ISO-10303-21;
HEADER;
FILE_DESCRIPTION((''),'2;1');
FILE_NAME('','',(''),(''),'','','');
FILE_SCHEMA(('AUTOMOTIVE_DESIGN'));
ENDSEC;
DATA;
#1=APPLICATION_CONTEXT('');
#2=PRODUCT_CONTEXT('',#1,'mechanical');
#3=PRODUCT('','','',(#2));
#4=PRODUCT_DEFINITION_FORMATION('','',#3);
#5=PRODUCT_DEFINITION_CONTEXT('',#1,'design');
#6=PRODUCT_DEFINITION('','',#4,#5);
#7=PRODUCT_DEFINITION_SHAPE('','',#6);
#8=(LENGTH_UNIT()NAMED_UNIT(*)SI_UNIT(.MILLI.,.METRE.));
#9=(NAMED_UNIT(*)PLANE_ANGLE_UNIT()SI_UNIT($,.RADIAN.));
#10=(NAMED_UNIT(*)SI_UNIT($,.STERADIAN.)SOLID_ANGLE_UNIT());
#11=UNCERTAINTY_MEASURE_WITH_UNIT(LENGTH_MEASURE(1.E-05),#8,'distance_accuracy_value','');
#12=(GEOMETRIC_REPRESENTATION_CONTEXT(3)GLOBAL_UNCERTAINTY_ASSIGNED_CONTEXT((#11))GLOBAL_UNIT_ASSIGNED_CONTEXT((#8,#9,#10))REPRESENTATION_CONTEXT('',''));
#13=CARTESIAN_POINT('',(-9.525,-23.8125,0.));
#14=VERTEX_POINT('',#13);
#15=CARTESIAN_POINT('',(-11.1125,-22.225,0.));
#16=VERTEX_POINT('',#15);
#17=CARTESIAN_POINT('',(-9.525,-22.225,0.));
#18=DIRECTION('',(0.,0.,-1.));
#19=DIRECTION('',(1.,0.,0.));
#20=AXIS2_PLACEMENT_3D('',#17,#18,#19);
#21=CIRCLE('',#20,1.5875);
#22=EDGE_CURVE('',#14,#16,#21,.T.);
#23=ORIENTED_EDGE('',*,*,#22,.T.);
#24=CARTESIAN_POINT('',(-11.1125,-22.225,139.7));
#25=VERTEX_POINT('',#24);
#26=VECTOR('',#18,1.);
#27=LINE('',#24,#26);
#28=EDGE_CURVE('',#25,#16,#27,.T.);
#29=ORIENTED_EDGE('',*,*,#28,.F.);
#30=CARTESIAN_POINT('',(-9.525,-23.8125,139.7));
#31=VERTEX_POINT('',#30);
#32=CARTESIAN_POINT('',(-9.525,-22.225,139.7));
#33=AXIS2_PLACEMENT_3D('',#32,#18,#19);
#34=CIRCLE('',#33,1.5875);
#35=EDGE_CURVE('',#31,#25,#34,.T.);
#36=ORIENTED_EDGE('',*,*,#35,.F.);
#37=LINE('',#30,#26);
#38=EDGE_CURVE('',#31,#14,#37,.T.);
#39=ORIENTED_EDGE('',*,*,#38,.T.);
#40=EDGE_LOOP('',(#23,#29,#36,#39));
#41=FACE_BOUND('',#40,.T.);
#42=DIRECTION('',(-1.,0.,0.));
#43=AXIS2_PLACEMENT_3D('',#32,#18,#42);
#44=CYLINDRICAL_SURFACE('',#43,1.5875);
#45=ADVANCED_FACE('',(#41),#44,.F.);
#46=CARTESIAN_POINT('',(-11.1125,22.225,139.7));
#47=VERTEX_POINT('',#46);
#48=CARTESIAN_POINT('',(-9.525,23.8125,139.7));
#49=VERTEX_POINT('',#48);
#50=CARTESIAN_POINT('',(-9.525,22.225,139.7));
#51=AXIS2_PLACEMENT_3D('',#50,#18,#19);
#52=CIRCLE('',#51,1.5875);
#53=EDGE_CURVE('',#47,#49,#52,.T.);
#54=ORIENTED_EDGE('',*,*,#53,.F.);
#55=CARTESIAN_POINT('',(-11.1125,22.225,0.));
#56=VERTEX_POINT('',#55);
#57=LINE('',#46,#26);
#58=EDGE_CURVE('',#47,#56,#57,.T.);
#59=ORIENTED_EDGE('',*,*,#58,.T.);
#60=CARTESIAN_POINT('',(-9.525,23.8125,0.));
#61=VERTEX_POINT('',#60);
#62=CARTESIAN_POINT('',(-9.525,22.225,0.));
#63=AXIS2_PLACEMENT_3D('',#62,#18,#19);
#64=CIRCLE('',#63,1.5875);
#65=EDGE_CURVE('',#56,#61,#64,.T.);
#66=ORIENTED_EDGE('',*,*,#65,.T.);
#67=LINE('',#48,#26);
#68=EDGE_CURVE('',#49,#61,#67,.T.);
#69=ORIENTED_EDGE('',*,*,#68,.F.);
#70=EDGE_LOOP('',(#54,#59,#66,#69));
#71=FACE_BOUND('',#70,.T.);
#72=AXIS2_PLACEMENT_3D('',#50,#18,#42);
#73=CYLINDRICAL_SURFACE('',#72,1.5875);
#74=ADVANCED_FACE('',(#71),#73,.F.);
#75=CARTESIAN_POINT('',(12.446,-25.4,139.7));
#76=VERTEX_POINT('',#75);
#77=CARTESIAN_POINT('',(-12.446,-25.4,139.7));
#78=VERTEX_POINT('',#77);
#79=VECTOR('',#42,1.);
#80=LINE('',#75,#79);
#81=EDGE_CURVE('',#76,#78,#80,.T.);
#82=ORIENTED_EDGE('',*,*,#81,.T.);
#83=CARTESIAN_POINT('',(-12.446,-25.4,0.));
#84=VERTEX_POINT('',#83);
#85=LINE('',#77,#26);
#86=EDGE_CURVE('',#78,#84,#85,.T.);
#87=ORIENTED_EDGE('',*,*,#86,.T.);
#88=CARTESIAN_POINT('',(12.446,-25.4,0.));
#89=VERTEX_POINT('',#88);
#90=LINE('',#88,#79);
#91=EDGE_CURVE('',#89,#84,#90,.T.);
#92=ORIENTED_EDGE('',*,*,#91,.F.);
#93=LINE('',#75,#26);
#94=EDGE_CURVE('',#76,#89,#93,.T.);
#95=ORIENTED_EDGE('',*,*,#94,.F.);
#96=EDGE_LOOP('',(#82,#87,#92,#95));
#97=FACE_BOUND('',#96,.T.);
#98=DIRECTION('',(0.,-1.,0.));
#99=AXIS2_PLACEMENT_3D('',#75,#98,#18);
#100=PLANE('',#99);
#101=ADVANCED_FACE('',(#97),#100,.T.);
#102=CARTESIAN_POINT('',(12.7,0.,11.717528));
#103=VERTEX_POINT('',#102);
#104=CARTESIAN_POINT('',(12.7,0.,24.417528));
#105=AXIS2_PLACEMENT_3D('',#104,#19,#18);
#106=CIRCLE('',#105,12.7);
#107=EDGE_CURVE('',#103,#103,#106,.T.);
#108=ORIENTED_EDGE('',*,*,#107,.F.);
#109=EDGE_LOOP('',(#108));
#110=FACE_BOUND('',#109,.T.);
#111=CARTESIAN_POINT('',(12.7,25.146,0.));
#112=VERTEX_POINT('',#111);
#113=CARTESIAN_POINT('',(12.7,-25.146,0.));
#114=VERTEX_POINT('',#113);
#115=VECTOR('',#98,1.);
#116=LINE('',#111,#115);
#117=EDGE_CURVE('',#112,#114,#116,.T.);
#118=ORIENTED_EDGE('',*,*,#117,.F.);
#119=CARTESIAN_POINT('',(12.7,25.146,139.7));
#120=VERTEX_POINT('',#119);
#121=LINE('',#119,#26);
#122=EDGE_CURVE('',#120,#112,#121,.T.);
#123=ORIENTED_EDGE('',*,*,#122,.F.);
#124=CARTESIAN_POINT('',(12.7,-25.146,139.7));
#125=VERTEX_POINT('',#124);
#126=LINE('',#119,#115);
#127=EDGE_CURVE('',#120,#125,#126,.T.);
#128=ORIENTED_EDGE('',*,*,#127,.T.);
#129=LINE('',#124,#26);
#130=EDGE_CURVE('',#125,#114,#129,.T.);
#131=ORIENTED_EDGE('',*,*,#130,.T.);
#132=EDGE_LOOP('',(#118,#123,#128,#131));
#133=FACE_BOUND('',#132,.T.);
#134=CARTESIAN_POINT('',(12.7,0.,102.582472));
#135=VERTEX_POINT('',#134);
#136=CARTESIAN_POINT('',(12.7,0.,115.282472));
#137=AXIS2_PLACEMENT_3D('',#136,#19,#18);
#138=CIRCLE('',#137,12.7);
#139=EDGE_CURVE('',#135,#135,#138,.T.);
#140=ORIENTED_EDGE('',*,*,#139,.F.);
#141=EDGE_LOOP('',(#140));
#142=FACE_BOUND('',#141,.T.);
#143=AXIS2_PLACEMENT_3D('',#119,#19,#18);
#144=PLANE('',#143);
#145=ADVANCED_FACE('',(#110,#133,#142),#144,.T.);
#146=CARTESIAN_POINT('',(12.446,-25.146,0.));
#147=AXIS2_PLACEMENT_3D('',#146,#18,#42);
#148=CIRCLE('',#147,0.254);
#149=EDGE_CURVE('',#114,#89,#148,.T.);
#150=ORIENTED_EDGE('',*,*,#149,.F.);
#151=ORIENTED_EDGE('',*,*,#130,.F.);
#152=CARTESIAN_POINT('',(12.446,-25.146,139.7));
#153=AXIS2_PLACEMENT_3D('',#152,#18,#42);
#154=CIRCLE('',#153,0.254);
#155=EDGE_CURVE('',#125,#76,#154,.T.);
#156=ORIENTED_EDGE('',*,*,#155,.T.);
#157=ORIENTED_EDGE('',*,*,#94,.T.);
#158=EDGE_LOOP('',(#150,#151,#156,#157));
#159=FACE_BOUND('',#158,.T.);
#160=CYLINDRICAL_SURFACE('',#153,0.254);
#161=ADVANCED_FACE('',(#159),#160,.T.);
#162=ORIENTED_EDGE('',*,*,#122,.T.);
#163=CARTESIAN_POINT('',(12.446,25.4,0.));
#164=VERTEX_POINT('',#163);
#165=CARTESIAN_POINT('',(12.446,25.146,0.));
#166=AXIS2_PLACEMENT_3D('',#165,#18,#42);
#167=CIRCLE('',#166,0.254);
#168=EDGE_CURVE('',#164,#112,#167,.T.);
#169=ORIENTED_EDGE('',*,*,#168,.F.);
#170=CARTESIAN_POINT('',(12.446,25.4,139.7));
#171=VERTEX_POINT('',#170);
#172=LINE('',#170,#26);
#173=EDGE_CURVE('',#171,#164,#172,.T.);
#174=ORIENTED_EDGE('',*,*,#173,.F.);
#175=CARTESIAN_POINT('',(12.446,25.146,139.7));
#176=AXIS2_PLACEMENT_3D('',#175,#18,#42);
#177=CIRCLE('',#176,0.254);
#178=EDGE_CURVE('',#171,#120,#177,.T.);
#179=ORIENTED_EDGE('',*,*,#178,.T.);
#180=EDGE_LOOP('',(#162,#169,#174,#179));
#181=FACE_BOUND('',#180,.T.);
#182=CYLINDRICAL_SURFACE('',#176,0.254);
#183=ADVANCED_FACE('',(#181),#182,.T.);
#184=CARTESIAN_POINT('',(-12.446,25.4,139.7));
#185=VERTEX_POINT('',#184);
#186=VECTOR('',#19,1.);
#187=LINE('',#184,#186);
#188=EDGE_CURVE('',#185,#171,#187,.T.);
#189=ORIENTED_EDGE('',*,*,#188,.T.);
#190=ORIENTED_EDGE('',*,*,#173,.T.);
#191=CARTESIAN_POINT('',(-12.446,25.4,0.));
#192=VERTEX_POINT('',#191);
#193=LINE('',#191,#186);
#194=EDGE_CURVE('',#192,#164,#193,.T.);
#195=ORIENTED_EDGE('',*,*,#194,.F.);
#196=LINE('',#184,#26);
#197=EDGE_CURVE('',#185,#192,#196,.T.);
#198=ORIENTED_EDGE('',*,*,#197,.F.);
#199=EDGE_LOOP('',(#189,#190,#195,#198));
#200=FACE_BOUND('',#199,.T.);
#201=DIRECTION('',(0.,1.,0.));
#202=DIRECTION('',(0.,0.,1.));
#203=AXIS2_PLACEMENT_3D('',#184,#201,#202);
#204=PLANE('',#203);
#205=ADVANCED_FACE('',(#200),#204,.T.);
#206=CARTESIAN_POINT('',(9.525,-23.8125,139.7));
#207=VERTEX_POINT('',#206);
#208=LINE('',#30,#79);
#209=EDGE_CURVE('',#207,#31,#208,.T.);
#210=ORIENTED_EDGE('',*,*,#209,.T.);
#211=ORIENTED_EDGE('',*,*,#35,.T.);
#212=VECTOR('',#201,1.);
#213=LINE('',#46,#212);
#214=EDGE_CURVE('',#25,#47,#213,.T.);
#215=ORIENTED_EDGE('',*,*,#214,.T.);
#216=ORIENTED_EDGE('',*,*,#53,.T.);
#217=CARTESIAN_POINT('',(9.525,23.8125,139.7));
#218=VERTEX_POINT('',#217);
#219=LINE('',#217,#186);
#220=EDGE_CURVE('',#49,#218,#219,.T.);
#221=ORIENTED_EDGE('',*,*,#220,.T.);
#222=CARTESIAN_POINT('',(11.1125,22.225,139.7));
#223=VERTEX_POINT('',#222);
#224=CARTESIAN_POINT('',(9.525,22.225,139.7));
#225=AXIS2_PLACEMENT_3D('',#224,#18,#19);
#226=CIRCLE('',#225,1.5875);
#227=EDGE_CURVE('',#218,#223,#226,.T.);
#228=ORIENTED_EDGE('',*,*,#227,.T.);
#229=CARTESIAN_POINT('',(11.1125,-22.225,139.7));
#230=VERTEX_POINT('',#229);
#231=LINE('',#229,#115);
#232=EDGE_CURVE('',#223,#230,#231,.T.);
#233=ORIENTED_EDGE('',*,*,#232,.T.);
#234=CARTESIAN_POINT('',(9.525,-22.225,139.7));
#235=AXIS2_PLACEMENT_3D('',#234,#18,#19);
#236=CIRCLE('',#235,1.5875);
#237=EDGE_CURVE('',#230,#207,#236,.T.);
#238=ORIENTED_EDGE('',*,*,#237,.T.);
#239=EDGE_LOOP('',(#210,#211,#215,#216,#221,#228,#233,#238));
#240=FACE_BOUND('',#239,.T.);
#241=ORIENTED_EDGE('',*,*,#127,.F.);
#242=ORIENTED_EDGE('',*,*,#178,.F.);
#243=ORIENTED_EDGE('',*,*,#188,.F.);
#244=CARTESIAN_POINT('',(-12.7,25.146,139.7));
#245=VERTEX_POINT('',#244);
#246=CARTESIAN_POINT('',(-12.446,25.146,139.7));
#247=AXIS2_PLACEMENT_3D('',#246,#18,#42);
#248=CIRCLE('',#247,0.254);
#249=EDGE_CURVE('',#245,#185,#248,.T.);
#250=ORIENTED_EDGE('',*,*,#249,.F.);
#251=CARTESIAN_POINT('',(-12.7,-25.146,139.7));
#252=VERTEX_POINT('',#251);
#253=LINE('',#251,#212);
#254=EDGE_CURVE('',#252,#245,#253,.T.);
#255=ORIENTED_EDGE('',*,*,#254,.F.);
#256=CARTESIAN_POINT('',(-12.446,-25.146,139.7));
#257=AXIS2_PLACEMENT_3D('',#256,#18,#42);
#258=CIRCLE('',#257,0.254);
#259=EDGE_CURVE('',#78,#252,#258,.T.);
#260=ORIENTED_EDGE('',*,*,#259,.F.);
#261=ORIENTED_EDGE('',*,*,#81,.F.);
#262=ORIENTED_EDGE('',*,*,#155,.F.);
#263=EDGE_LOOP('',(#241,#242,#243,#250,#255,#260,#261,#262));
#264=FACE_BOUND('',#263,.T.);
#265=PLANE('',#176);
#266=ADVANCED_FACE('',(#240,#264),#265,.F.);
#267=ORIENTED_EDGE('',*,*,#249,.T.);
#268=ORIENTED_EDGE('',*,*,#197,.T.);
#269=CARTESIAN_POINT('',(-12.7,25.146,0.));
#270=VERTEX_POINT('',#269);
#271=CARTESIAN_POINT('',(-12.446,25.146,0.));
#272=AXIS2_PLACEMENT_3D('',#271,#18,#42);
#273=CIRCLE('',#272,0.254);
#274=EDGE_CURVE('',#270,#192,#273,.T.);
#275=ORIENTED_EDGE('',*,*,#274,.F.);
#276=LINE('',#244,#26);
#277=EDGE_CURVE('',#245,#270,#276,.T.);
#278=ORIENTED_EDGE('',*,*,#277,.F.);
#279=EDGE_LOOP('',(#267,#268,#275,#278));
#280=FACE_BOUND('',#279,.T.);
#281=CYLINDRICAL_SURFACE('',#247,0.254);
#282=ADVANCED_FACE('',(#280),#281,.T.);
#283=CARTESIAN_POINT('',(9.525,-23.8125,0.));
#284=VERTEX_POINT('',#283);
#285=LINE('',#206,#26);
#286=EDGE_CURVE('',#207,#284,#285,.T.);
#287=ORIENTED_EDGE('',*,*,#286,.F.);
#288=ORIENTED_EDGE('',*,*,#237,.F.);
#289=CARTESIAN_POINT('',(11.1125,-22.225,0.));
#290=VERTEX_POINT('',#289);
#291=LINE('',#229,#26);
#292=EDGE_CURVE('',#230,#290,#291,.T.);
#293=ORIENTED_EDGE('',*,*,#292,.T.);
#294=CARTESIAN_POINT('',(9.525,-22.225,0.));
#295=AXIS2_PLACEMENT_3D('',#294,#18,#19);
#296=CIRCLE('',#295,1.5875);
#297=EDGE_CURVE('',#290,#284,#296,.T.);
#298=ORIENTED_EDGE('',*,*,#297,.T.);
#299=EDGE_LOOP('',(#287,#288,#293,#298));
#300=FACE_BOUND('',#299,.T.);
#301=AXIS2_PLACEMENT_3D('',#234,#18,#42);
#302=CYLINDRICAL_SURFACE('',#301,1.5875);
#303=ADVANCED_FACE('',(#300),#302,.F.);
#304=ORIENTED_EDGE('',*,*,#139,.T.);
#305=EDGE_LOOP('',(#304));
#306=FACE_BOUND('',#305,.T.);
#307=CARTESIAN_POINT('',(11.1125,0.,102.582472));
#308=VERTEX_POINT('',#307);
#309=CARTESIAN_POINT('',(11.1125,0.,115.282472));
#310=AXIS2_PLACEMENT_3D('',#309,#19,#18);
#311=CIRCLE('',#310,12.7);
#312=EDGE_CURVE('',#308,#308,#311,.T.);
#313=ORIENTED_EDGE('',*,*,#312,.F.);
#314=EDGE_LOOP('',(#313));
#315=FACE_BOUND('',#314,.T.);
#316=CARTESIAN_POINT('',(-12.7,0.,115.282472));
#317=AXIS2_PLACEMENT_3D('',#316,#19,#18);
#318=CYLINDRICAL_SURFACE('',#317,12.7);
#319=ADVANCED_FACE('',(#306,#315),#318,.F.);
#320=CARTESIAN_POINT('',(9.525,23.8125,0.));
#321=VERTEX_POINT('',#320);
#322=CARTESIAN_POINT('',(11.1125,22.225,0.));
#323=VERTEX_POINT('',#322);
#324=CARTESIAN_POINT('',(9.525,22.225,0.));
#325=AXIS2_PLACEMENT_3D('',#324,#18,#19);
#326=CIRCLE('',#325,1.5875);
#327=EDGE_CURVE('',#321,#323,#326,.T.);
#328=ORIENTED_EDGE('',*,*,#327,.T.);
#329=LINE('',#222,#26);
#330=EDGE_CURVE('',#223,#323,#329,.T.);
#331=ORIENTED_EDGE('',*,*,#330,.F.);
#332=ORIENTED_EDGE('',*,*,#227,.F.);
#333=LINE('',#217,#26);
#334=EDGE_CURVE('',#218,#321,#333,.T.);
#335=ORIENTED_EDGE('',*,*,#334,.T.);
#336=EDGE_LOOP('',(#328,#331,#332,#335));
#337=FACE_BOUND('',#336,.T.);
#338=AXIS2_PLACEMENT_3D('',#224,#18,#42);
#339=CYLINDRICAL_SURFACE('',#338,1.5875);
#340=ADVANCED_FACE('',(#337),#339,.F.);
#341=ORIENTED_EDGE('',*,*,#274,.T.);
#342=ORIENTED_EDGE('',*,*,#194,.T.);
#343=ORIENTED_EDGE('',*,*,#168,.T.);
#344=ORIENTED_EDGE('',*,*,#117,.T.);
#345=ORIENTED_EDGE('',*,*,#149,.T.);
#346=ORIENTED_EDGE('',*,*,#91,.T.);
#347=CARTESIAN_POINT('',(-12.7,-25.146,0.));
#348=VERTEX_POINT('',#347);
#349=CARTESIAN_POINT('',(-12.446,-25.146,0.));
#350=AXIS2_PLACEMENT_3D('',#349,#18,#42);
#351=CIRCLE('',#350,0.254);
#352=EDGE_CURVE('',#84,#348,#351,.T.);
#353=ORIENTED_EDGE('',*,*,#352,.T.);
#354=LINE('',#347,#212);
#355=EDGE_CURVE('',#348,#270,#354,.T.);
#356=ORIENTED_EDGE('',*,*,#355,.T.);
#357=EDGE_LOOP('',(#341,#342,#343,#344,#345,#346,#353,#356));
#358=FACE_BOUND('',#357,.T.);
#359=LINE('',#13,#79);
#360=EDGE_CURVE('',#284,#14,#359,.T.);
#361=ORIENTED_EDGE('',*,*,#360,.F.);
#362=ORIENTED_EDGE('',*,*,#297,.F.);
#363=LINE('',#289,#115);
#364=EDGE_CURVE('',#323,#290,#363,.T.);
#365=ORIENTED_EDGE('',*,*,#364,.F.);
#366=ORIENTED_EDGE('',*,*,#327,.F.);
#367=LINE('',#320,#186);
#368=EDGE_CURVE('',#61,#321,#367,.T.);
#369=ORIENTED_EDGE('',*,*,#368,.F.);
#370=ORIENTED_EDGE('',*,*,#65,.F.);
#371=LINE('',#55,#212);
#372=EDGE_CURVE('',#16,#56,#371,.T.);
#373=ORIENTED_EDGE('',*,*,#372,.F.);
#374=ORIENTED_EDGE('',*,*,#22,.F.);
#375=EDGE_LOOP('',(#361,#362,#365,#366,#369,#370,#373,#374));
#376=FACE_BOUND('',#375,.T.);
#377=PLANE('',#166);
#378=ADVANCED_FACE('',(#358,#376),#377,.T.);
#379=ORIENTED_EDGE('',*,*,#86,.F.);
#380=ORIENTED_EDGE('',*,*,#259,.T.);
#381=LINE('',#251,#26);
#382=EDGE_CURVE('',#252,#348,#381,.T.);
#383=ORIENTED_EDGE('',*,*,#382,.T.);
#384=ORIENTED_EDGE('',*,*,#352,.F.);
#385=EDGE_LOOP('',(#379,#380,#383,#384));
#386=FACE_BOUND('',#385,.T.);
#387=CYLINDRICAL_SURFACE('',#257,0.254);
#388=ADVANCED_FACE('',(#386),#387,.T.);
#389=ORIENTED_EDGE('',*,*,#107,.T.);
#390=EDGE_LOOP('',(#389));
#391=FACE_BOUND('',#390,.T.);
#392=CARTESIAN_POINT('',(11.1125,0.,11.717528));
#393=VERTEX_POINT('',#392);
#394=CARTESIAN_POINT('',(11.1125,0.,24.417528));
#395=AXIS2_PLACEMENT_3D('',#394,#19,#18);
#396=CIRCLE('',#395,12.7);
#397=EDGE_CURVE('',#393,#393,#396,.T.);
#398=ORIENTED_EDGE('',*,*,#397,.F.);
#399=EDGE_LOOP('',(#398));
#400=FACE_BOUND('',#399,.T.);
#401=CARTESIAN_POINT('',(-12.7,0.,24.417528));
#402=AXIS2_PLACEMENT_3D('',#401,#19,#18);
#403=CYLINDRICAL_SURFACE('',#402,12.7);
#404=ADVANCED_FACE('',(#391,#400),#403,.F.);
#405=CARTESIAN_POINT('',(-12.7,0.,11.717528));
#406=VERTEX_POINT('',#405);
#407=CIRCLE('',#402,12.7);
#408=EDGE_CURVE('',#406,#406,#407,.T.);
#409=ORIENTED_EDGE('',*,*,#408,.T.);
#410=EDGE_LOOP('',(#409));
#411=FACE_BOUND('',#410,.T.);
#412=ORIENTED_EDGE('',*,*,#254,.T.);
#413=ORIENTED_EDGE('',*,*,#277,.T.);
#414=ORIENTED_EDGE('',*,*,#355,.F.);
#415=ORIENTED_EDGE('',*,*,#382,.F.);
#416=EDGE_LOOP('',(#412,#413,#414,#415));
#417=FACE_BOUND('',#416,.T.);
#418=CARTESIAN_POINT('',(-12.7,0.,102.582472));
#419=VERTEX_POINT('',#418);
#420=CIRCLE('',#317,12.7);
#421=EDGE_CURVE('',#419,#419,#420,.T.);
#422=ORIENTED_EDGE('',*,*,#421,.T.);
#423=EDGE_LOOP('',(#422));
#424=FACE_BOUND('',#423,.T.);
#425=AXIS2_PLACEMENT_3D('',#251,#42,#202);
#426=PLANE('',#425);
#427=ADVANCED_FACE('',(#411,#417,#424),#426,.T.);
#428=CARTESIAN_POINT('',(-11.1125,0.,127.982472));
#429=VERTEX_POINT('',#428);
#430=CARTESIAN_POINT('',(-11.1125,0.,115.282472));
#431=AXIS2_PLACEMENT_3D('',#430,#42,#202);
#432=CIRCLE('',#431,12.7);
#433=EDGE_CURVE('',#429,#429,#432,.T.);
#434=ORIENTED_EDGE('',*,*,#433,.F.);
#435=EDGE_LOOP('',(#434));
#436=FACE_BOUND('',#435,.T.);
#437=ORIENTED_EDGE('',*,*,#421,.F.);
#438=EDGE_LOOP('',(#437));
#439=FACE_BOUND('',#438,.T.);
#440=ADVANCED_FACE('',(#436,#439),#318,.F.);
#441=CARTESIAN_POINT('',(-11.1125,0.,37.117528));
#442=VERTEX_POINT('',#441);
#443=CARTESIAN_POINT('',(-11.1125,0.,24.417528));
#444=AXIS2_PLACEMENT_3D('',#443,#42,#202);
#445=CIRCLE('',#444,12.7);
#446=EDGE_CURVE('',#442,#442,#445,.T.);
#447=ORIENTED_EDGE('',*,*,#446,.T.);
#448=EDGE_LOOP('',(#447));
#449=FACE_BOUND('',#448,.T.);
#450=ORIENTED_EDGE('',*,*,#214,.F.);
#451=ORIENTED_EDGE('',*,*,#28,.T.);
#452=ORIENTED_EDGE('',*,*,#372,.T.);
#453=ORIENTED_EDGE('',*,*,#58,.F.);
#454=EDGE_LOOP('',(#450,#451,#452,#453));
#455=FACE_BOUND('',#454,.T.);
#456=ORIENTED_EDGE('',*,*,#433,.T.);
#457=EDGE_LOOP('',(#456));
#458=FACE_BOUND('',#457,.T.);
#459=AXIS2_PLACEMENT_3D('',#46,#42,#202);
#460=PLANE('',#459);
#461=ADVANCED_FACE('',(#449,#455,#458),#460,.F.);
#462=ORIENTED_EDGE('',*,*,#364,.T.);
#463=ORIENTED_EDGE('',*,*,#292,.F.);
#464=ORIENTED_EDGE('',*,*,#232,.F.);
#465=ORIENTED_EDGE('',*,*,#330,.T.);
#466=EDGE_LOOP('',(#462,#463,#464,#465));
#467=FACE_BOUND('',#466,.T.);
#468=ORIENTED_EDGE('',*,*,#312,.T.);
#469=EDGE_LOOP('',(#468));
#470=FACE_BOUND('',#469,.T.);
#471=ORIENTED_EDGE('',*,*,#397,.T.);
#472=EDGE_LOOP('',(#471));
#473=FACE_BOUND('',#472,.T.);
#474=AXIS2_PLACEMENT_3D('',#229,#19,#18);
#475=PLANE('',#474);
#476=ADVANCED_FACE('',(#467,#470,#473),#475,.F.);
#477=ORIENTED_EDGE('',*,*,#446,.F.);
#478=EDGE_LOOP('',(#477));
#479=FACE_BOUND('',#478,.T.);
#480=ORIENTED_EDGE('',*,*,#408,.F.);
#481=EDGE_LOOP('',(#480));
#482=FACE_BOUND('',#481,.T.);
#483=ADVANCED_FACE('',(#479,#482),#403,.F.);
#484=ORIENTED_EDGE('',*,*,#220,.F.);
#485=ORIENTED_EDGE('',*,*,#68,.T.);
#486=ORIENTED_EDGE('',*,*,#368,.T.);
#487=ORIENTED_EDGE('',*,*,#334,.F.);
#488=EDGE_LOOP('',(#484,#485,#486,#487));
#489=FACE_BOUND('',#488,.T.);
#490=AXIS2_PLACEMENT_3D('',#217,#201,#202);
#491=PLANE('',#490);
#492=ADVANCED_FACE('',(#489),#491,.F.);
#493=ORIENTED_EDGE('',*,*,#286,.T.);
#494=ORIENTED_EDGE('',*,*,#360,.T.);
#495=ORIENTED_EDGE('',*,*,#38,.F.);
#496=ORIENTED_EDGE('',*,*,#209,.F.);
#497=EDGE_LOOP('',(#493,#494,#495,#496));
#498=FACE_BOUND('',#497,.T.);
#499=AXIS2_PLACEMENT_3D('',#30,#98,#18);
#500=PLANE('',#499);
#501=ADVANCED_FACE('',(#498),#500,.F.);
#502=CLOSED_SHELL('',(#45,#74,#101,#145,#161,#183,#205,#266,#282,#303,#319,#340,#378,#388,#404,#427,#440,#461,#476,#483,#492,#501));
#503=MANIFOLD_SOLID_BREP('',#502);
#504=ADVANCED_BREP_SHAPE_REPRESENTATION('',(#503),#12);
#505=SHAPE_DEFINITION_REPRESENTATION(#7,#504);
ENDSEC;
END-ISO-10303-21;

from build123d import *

# Parameters (mm, degrees)
BOSS_EXTRUDE1_DEPTH = 139.7
SKETCH2_R           = 12.7
CUT_EXTRUDE2_DEPTH  = 26.4


with BuildPart() as part:
    # Sketch1 → Boss-Extrude1 (new body)
    with BuildSketch(Plane(origin=(0, 0, 0), x_dir=(-1, 0, 0), z_dir=(0, 0, -1))):
        with BuildLine():
            Line((-12.7, 25.146), (-12.7, -25.146))
            ThreePointArc((-12.7, -25.146), (-12.625605122, -25.325605122), (-12.446, -25.4))
            Line((-12.446, -25.4), (12.446, -25.4))
            ThreePointArc((12.446, -25.4), (12.625605122, -25.325605122), (12.7, -25.146))
            Line((12.7, -25.146), (12.7, 25.146))
            ThreePointArc((12.7, 25.146), (12.625605122, 25.325605122), (12.446, 25.4))
            Line((12.446, 25.4), (-12.446, 25.4))
            ThreePointArc((-12.446, 25.4), (-12.625605122, 25.325605122), (-12.7, 25.146))
        make_face()
        with BuildLine():
            Line((-11.1125, -22.225), (-11.1125, 22.225))
            ThreePointArc((-11.1125, 22.225), (-10.647532015, 23.347532015), (-9.525, 23.8125))
            Line((-9.525, 23.8125), (9.525, 23.8125))
            ThreePointArc((9.525, 23.8125), (10.647532015, 23.347532015), (11.1125, 22.225))
            Line((11.1125, 22.225), (11.1125, -22.225))
            ThreePointArc((11.1125, -22.225), (10.647532015, -23.347532015), (9.525, -23.8125))
            Line((9.525, -23.8125), (-9.525, -23.8125))
            ThreePointArc((-9.525, -23.8125), (-10.647532015, -23.347532015), (-11.1125, -22.225))
        make_face(mode=Mode.SUBTRACT)
    extrude(amount=-BOSS_EXTRUDE1_DEPTH)

    # Sketch2 → Cut-Extrude2 (cut, through all)
    with BuildSketch(Plane(origin=(12.7, 0, 0), x_dir=(0, 0, -1), z_dir=(1, 0, 0))):
        with Locations((-115.282472, 0)):
            Circle(SKETCH2_R)
        with Locations((-24.417528, 0)):
            Circle(SKETCH2_R)
    extrude(amount=-CUT_EXTRUDE2_DEPTH, mode=Mode.SUBTRACT)


solid = part.part
